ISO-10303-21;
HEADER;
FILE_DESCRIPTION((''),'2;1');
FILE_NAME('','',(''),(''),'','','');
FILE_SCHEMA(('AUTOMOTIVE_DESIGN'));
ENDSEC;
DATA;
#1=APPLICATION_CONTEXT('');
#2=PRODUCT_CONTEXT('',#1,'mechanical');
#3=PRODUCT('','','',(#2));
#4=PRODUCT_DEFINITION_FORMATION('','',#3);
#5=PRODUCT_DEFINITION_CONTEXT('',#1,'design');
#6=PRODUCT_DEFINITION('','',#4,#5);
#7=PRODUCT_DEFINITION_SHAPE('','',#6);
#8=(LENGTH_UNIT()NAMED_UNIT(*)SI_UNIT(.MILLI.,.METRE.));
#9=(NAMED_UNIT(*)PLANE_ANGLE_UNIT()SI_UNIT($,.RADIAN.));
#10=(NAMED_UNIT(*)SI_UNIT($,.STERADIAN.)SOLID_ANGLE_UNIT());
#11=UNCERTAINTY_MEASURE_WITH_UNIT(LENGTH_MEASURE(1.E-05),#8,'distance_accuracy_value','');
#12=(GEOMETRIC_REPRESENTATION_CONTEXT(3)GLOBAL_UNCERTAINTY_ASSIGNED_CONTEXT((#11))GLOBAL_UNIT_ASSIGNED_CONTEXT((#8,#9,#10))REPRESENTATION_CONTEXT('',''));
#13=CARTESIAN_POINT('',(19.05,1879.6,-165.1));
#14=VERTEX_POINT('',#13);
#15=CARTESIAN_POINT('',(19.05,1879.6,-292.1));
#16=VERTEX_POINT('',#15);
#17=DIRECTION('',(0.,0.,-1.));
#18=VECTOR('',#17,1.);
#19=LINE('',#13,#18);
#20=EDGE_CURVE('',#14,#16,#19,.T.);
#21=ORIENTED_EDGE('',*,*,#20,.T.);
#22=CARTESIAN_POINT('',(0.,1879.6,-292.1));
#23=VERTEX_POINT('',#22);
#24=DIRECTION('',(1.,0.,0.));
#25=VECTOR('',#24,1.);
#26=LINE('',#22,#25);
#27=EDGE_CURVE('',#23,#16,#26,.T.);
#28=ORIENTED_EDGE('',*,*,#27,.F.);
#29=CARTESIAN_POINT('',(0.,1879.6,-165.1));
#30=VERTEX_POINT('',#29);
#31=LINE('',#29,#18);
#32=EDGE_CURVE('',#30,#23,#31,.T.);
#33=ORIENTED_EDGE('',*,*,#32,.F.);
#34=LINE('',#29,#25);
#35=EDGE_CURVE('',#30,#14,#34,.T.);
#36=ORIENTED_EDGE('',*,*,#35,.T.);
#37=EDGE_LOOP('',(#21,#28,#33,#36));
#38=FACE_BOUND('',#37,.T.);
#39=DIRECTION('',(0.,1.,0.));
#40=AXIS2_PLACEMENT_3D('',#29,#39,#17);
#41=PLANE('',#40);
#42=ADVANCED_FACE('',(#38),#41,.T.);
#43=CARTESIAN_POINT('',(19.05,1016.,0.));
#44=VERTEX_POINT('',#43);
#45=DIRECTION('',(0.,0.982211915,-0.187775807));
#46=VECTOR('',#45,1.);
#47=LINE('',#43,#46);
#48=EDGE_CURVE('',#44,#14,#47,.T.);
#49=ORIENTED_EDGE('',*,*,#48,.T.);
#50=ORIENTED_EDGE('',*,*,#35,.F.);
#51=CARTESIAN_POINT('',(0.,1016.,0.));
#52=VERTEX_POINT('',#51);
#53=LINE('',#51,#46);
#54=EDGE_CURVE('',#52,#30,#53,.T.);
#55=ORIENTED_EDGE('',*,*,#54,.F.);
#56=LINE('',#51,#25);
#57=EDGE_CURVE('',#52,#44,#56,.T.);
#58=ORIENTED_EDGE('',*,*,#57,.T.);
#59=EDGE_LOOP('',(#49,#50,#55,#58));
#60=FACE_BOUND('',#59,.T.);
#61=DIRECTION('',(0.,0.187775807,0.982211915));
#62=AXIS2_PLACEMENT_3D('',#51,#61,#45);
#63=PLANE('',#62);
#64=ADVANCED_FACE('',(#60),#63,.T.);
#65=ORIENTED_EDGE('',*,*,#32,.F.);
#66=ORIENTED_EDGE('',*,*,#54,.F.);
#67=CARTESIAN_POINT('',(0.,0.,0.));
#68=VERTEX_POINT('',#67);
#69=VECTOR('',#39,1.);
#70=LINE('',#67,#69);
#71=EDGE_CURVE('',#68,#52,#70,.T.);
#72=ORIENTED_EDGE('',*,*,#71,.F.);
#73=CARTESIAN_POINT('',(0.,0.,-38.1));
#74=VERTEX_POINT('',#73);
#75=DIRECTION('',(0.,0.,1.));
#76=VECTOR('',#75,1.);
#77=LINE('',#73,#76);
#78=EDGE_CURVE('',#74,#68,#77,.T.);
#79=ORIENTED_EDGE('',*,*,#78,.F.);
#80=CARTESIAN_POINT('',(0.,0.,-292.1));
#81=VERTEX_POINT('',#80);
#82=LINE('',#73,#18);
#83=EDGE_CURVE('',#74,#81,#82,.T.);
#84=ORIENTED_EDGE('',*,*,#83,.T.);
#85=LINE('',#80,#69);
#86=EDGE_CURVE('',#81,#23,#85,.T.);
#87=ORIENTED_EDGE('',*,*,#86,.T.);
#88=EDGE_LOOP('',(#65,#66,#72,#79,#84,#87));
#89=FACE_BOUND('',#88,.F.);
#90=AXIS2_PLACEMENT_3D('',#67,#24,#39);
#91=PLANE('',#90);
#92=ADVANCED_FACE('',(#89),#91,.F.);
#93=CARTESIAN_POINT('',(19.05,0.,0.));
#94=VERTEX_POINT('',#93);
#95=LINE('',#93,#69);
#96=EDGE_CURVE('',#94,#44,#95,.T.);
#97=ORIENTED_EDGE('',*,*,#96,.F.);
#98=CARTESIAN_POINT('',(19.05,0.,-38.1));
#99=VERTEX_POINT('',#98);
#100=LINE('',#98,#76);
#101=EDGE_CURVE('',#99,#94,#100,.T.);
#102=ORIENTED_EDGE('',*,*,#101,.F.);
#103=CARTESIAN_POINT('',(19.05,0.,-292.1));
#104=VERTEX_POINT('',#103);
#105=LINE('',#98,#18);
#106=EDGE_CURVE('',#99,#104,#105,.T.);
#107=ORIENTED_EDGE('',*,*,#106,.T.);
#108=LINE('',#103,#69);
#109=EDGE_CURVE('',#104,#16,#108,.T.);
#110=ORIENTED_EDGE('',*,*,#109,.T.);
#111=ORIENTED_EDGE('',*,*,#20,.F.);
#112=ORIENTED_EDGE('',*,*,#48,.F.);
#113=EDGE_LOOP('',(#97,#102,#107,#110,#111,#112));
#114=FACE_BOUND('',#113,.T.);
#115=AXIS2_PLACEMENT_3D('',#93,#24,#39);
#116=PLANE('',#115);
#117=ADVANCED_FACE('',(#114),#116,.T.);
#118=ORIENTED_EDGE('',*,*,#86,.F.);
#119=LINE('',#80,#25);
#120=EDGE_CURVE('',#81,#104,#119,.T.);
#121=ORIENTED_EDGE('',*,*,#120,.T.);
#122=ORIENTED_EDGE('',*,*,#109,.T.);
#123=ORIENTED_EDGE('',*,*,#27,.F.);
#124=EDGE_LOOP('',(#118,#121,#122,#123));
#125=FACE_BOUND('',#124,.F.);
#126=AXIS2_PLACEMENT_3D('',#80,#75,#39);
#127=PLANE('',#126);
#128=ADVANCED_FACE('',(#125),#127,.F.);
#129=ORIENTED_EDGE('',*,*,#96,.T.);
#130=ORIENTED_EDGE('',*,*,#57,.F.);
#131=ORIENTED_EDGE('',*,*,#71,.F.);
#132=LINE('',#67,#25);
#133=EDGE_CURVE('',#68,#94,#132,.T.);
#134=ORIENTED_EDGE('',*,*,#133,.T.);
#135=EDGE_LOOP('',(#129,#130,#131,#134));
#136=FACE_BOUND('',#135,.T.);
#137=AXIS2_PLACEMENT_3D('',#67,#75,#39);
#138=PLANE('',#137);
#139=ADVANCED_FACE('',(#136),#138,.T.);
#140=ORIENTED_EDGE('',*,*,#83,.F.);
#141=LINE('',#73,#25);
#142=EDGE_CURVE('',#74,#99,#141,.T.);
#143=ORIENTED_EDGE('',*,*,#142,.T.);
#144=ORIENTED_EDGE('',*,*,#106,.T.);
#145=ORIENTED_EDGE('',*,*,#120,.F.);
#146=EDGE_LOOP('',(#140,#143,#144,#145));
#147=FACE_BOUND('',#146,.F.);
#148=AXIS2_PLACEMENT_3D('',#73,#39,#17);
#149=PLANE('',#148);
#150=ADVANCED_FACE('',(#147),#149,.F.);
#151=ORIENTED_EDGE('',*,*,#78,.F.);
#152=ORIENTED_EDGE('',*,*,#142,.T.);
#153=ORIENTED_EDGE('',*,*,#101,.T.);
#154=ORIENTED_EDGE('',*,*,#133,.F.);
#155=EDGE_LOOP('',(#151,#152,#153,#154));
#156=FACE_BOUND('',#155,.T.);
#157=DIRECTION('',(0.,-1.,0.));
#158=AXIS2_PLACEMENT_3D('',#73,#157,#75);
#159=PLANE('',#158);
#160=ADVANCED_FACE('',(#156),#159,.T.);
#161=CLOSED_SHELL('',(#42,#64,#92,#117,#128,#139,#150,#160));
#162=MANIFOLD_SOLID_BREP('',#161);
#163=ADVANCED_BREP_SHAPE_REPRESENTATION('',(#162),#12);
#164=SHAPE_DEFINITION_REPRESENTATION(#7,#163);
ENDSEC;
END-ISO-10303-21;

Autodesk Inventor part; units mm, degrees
ref_plane "YZ Plane" through (0, 0, 0) normal (1, 0, 0) x (0, 1, 0)
ref_plane "XZ Plane" through (0, 0, 0) normal (0, 1, 0) x (-1, 0, 0)
ref_plane "XY Plane" through (0, 0, 0) normal (0, 0, 1) x (1, 0, 0)
sketch "Sketch1" plane through (0, 0, 0) normal (1, 0, 0) x (0, 1, 0)
  line L0 (0, -38.1) -> (0, -292.1)
  line L1 (0, -292.1) -> (1879.6, -292.1)
  line L2 (0, -38.1) -> (0, 0)
  line L3 (0, 0) -> (1016, 0)
  line L4 (1016, 0) -> (1879.6, -165.1)
  line L5 (1879.6, -165.1) -> (1879.6, -292.1)
  dimension "d0" = 254
  dimension "d1" = 1879.6
  dimension "d2" = 38.1
  dimension "d3" = 1016
  dimension "d8" = 127
extrude "Extrusion1" add sketch "Sketch1" along normal blind 19.05
properties part number "la_side"
